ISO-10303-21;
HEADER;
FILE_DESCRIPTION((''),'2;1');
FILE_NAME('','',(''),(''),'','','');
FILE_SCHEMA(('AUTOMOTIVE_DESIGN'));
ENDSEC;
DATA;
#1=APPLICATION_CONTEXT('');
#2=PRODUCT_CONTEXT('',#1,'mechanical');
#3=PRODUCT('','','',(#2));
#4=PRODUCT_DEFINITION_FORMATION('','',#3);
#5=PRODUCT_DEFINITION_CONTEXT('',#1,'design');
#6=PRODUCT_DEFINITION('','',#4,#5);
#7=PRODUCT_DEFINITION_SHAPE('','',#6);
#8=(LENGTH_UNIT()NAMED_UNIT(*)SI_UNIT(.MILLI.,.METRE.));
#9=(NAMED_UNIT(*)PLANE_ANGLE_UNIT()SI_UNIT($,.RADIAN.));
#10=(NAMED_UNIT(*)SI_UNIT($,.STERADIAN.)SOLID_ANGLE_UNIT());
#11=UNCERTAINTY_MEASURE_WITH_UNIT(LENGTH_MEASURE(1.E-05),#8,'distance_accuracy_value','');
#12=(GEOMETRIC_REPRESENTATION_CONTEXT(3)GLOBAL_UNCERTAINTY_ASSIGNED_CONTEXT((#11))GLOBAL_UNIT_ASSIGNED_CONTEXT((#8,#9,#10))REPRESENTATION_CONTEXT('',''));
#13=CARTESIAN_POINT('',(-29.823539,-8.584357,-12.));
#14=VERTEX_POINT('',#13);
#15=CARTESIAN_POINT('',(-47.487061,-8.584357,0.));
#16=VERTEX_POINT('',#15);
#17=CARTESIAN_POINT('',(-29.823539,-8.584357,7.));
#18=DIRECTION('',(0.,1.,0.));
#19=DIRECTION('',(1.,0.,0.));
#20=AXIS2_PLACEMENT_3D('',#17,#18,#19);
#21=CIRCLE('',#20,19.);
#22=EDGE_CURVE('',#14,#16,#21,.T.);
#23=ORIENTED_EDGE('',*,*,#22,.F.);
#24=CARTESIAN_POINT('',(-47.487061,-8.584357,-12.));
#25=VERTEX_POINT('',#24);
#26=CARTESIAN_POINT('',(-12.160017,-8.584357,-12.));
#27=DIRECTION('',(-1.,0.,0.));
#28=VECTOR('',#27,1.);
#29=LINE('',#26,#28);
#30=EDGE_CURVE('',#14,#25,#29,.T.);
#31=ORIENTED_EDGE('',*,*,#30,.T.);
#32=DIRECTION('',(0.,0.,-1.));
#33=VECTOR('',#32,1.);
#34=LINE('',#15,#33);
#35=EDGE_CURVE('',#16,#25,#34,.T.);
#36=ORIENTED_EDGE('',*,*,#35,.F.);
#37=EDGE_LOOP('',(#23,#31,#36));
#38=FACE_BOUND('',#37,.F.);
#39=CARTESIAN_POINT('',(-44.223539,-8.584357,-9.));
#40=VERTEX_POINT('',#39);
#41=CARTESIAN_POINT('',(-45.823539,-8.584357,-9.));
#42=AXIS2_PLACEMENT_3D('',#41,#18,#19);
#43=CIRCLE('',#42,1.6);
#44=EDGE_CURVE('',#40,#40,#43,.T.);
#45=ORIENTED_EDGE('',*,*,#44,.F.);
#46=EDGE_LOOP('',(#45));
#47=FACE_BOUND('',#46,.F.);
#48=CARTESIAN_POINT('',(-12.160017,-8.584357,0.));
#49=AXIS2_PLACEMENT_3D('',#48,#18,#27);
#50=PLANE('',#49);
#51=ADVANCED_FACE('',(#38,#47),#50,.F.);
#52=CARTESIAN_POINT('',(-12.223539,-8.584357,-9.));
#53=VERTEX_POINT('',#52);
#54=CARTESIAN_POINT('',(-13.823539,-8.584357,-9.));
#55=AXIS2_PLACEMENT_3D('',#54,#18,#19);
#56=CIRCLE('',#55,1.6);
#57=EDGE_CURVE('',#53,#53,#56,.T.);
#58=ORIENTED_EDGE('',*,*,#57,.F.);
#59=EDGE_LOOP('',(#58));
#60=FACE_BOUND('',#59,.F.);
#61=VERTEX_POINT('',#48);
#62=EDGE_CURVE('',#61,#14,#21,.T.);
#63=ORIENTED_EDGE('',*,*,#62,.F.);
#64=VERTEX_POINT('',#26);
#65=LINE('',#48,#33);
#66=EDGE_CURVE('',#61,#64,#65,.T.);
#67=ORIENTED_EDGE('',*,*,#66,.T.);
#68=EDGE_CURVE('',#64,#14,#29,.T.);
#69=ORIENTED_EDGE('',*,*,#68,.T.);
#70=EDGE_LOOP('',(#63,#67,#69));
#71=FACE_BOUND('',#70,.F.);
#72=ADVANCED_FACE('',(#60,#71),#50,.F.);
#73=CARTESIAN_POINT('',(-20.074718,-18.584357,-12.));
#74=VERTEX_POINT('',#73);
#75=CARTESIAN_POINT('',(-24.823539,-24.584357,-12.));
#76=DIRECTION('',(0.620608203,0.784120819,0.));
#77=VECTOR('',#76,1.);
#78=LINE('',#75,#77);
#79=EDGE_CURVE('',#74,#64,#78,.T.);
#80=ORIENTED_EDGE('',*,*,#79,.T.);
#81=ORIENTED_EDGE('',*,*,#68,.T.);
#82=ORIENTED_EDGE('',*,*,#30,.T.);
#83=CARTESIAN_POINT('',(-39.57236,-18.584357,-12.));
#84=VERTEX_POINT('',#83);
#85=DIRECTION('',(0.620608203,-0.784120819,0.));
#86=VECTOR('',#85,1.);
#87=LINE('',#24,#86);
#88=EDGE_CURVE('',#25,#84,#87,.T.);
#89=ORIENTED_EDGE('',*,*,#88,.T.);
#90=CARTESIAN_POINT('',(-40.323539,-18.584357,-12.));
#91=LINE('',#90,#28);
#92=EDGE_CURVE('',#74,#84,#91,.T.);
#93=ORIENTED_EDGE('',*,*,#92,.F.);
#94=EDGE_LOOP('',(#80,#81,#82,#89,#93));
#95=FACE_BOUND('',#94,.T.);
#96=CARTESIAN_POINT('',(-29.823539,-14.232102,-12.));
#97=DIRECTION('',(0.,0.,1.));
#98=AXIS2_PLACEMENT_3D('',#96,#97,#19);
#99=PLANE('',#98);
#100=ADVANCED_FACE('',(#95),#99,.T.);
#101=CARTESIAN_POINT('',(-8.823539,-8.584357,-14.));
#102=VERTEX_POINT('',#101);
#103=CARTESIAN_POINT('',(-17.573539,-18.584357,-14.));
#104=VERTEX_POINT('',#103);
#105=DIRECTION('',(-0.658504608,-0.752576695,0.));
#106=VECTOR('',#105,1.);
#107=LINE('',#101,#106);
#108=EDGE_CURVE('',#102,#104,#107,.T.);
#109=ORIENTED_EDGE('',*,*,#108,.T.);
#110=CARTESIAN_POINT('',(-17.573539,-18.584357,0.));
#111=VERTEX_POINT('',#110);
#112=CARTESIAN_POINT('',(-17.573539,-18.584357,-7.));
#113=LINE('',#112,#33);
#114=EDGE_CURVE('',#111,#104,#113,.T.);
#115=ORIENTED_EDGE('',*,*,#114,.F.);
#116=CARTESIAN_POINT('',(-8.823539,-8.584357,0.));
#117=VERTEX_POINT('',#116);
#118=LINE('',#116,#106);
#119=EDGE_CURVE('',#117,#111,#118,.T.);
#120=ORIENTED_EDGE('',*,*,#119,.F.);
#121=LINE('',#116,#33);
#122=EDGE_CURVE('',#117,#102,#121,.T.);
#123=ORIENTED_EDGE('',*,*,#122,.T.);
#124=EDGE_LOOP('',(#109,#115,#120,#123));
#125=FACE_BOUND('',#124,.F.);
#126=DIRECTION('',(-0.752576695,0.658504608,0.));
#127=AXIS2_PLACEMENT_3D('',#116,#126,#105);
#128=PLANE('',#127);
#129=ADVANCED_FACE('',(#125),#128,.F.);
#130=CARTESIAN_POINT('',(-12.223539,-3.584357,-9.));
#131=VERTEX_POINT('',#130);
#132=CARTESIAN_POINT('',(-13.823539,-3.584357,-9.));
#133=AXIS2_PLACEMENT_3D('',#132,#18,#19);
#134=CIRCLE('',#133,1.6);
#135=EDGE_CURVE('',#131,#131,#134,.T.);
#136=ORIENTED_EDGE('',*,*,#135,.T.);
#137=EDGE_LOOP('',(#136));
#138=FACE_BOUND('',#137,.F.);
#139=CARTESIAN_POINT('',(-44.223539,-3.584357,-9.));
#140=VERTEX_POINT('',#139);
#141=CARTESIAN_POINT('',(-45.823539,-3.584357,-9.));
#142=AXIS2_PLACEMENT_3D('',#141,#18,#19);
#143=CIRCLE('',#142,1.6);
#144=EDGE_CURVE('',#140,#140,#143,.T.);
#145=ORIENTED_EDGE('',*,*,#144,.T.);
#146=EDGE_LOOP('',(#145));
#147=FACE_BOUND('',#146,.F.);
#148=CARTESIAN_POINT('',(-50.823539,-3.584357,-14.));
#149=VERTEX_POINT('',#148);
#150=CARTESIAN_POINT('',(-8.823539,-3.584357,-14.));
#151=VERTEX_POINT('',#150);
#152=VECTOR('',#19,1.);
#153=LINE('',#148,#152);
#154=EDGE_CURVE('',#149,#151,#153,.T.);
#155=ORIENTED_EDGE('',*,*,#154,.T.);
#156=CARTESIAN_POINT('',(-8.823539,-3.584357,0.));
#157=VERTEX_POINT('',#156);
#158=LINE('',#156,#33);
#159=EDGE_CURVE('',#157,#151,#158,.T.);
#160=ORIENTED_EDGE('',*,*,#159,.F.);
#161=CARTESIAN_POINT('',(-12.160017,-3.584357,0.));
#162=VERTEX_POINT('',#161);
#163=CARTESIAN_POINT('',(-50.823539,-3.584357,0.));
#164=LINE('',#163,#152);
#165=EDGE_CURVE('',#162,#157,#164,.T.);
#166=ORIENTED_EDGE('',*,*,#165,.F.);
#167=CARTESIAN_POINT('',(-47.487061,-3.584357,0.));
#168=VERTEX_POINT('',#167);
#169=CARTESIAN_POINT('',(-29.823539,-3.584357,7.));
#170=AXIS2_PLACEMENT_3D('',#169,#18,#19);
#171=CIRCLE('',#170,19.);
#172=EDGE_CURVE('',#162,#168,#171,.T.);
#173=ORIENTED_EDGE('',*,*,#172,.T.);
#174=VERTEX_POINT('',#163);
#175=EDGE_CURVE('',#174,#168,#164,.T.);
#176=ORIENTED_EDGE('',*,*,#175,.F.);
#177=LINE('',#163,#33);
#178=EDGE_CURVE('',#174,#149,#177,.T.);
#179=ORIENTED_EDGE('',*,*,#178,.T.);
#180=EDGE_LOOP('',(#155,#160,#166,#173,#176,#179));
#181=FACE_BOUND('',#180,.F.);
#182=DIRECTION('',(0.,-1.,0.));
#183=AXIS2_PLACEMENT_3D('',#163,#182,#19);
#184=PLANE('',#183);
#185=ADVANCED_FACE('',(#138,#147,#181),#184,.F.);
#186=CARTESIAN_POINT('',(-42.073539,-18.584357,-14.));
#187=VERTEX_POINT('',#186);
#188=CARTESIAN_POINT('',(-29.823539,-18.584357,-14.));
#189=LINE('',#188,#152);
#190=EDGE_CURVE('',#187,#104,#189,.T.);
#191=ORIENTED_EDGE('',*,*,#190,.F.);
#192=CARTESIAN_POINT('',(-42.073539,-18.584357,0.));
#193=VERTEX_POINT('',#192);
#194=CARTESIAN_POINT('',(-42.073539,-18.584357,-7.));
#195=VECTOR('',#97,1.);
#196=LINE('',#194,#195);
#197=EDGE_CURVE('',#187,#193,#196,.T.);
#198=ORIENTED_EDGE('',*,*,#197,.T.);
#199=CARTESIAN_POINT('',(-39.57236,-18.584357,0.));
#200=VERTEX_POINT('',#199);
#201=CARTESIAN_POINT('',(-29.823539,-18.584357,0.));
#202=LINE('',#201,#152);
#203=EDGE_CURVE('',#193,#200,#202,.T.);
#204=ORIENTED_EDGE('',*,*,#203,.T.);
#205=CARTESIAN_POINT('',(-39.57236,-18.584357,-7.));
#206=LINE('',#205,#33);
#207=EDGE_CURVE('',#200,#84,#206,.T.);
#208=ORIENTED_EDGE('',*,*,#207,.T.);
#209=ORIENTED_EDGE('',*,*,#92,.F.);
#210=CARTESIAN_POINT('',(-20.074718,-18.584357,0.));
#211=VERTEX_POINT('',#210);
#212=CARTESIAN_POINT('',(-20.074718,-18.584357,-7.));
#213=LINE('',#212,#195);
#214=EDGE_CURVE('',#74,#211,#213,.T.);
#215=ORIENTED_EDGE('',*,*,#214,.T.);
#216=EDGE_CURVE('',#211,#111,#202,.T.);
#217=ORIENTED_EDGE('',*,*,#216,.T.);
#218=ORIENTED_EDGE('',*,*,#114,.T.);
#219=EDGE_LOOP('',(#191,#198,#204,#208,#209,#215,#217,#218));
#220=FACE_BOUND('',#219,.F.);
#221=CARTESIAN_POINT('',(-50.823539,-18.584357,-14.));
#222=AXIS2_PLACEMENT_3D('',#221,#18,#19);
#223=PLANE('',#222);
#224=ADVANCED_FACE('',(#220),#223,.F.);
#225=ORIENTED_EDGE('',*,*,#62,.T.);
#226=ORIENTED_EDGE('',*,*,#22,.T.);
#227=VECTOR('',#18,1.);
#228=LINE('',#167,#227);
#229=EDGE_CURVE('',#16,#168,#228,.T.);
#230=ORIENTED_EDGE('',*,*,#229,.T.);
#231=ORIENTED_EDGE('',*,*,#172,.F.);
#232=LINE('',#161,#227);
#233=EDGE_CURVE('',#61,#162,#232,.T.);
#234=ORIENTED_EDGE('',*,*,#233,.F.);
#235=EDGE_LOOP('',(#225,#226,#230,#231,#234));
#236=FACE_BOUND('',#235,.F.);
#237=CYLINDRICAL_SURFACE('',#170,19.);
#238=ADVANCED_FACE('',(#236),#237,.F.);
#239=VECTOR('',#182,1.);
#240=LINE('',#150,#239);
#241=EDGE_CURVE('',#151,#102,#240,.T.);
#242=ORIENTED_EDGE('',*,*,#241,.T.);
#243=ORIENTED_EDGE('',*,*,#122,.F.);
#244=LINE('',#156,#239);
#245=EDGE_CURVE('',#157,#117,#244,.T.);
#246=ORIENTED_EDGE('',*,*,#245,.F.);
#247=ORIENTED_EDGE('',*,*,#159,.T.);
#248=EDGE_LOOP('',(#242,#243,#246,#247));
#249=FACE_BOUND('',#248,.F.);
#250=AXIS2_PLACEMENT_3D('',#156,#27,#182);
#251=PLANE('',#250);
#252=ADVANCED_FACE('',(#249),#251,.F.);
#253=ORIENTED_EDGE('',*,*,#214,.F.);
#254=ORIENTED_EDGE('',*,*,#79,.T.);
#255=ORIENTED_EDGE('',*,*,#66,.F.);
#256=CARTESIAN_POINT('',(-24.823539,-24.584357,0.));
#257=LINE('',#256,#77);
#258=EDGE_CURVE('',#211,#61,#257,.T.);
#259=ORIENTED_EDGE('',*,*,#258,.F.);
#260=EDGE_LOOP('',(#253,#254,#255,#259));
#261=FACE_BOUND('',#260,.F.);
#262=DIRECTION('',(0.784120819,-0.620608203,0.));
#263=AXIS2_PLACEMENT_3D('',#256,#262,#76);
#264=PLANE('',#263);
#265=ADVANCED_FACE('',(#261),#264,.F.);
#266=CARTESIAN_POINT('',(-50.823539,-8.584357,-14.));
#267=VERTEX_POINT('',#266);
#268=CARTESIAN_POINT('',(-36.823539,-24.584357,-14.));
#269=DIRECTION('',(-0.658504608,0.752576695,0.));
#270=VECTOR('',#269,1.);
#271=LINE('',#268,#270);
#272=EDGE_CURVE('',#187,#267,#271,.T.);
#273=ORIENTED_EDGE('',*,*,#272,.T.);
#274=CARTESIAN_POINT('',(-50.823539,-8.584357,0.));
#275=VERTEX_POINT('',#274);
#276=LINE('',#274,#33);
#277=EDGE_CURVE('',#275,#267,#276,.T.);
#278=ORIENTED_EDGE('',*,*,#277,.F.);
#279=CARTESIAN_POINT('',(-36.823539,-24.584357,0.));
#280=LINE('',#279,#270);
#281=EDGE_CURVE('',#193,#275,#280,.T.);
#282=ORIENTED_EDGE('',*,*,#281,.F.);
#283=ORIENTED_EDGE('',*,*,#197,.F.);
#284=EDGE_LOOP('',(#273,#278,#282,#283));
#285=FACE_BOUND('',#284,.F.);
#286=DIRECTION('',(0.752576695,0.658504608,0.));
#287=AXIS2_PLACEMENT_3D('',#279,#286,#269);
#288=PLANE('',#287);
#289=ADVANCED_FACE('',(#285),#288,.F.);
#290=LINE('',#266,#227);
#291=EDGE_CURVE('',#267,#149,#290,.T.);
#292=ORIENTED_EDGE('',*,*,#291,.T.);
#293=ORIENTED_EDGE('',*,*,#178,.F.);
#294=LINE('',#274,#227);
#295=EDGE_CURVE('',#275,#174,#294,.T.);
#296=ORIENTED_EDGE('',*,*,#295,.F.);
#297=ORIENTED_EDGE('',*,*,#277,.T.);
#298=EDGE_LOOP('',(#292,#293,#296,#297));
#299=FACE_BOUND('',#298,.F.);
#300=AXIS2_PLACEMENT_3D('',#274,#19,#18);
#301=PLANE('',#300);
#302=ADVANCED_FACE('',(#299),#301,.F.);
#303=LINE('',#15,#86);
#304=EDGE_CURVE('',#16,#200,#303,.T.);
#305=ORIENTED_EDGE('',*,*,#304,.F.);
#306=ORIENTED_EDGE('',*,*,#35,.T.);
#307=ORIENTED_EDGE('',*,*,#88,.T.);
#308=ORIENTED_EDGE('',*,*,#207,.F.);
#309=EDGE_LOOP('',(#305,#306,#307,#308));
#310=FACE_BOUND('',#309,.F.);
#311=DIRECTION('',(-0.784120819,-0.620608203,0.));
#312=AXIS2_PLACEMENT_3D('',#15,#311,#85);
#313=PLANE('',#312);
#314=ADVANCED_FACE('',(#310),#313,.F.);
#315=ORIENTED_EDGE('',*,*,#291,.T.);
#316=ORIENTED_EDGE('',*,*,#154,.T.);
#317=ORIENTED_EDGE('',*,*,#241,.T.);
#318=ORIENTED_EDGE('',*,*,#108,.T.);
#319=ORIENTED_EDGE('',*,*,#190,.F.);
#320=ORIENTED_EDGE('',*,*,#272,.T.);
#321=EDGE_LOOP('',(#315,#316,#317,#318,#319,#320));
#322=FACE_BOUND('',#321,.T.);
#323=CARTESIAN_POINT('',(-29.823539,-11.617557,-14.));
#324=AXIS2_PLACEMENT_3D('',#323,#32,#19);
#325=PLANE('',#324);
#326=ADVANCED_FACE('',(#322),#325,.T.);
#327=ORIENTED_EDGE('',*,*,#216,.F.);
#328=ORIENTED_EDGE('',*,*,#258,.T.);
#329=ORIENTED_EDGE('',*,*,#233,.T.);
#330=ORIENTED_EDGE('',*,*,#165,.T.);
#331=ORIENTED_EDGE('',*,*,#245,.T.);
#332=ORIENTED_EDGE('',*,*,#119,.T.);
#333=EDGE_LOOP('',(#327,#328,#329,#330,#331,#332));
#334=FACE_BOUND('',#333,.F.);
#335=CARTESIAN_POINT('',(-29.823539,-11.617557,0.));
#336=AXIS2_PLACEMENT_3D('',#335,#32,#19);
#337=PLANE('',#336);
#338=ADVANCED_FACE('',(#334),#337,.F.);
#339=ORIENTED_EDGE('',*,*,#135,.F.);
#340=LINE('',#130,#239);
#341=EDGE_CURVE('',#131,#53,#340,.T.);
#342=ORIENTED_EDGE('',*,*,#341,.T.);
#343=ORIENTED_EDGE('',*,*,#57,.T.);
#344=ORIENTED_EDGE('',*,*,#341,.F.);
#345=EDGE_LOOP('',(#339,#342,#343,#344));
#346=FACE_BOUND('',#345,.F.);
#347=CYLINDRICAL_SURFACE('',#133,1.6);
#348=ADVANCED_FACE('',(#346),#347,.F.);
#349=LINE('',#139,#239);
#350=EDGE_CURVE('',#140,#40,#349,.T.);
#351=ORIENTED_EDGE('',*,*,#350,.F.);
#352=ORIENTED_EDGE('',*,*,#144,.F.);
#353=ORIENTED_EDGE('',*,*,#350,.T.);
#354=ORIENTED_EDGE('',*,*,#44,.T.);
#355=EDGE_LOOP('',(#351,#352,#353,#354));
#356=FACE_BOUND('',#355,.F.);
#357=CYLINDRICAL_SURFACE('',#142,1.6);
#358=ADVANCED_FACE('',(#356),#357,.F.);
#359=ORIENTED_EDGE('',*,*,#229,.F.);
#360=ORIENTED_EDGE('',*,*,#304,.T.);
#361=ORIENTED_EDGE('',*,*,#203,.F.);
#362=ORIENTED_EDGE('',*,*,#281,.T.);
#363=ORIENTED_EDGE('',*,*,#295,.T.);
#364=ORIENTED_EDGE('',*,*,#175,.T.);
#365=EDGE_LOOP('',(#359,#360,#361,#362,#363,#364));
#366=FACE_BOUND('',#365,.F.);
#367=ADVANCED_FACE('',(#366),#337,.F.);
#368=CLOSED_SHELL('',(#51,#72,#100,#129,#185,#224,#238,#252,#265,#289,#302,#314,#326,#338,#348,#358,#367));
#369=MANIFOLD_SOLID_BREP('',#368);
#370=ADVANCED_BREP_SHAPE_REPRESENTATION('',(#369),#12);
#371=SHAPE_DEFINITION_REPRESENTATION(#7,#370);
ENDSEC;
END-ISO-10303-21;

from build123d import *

# Parameters (mm, degrees)
PAD_DEPTH       = 14
SKETCH001_R     = 19
POCKET_DEPTH    = 5
POCKET001_DEPTH = 12
SKETCH003_R     = 1.6
POCKET002_DEPTH = 5
SKETCH004_W     = 42
SKETCH004_H     = 8
POCKET003_DEPTH = 14


with BuildPart() as part:
    # Sketch → Pad (new body)
    with BuildSketch(Plane(origin=(0, 0, 0), x_dir=(1, 0, 0), z_dir=(0, 0, -1))):
        Polygon((-50.823539, 3.584357), (-8.823539, 3.584357), (-8.823539, 8.584357), (-22.823539, 24.584357), (-36.823539, 24.584357), (-50.823539, 8.584357), align=None)
    extrude(amount=PAD_DEPTH)

    # Sketch001 → Pocket (cut)
    with BuildSketch(Plane(origin=(0, -3.584357, 0), x_dir=(1, 0, 0), z_dir=(0, 1, 0))):
        with Locations((-29.823539, -7)):
            Circle(SKETCH001_R)
    extrude(amount=-POCKET_DEPTH, mode=Mode.SUBTRACT)

    # Sketch002 → Pocket001 (cut)
    with BuildSketch(Plane.XY):
        Polygon((-47.487061, -8.584357), (-34.823539, -24.584357), (-24.823539, -24.584357), (-12.160017, -8.584357), align=None)
    extrude(amount=-POCKET001_DEPTH, mode=Mode.SUBTRACT)

    # Sketch003 → Pocket002 (cut)
    with BuildSketch(Plane(origin=(0, -3.584357, 0), x_dir=(1, 0, 0), z_dir=(0, 1, 0))):
        with Locations((-45.823539, 9)):
            Circle(SKETCH003_R)
        with Locations((-13.823539, 9)):
            Circle(SKETCH003_R)
    extrude(amount=-POCKET002_DEPTH, mode=Mode.SUBTRACT)

    # Sketch004 → Pocket003 (cut)
    with BuildSketch(Plane(origin=(0, 0, -14), x_dir=(1, 0, 0), z_dir=(0, 0, -1))):
        with Locations((-29.823539, 22.584357)):
            Rectangle(SKETCH004_W, SKETCH004_H)
    extrude(amount=-POCKET003_DEPTH, mode=Mode.SUBTRACT)


solid = part.part
